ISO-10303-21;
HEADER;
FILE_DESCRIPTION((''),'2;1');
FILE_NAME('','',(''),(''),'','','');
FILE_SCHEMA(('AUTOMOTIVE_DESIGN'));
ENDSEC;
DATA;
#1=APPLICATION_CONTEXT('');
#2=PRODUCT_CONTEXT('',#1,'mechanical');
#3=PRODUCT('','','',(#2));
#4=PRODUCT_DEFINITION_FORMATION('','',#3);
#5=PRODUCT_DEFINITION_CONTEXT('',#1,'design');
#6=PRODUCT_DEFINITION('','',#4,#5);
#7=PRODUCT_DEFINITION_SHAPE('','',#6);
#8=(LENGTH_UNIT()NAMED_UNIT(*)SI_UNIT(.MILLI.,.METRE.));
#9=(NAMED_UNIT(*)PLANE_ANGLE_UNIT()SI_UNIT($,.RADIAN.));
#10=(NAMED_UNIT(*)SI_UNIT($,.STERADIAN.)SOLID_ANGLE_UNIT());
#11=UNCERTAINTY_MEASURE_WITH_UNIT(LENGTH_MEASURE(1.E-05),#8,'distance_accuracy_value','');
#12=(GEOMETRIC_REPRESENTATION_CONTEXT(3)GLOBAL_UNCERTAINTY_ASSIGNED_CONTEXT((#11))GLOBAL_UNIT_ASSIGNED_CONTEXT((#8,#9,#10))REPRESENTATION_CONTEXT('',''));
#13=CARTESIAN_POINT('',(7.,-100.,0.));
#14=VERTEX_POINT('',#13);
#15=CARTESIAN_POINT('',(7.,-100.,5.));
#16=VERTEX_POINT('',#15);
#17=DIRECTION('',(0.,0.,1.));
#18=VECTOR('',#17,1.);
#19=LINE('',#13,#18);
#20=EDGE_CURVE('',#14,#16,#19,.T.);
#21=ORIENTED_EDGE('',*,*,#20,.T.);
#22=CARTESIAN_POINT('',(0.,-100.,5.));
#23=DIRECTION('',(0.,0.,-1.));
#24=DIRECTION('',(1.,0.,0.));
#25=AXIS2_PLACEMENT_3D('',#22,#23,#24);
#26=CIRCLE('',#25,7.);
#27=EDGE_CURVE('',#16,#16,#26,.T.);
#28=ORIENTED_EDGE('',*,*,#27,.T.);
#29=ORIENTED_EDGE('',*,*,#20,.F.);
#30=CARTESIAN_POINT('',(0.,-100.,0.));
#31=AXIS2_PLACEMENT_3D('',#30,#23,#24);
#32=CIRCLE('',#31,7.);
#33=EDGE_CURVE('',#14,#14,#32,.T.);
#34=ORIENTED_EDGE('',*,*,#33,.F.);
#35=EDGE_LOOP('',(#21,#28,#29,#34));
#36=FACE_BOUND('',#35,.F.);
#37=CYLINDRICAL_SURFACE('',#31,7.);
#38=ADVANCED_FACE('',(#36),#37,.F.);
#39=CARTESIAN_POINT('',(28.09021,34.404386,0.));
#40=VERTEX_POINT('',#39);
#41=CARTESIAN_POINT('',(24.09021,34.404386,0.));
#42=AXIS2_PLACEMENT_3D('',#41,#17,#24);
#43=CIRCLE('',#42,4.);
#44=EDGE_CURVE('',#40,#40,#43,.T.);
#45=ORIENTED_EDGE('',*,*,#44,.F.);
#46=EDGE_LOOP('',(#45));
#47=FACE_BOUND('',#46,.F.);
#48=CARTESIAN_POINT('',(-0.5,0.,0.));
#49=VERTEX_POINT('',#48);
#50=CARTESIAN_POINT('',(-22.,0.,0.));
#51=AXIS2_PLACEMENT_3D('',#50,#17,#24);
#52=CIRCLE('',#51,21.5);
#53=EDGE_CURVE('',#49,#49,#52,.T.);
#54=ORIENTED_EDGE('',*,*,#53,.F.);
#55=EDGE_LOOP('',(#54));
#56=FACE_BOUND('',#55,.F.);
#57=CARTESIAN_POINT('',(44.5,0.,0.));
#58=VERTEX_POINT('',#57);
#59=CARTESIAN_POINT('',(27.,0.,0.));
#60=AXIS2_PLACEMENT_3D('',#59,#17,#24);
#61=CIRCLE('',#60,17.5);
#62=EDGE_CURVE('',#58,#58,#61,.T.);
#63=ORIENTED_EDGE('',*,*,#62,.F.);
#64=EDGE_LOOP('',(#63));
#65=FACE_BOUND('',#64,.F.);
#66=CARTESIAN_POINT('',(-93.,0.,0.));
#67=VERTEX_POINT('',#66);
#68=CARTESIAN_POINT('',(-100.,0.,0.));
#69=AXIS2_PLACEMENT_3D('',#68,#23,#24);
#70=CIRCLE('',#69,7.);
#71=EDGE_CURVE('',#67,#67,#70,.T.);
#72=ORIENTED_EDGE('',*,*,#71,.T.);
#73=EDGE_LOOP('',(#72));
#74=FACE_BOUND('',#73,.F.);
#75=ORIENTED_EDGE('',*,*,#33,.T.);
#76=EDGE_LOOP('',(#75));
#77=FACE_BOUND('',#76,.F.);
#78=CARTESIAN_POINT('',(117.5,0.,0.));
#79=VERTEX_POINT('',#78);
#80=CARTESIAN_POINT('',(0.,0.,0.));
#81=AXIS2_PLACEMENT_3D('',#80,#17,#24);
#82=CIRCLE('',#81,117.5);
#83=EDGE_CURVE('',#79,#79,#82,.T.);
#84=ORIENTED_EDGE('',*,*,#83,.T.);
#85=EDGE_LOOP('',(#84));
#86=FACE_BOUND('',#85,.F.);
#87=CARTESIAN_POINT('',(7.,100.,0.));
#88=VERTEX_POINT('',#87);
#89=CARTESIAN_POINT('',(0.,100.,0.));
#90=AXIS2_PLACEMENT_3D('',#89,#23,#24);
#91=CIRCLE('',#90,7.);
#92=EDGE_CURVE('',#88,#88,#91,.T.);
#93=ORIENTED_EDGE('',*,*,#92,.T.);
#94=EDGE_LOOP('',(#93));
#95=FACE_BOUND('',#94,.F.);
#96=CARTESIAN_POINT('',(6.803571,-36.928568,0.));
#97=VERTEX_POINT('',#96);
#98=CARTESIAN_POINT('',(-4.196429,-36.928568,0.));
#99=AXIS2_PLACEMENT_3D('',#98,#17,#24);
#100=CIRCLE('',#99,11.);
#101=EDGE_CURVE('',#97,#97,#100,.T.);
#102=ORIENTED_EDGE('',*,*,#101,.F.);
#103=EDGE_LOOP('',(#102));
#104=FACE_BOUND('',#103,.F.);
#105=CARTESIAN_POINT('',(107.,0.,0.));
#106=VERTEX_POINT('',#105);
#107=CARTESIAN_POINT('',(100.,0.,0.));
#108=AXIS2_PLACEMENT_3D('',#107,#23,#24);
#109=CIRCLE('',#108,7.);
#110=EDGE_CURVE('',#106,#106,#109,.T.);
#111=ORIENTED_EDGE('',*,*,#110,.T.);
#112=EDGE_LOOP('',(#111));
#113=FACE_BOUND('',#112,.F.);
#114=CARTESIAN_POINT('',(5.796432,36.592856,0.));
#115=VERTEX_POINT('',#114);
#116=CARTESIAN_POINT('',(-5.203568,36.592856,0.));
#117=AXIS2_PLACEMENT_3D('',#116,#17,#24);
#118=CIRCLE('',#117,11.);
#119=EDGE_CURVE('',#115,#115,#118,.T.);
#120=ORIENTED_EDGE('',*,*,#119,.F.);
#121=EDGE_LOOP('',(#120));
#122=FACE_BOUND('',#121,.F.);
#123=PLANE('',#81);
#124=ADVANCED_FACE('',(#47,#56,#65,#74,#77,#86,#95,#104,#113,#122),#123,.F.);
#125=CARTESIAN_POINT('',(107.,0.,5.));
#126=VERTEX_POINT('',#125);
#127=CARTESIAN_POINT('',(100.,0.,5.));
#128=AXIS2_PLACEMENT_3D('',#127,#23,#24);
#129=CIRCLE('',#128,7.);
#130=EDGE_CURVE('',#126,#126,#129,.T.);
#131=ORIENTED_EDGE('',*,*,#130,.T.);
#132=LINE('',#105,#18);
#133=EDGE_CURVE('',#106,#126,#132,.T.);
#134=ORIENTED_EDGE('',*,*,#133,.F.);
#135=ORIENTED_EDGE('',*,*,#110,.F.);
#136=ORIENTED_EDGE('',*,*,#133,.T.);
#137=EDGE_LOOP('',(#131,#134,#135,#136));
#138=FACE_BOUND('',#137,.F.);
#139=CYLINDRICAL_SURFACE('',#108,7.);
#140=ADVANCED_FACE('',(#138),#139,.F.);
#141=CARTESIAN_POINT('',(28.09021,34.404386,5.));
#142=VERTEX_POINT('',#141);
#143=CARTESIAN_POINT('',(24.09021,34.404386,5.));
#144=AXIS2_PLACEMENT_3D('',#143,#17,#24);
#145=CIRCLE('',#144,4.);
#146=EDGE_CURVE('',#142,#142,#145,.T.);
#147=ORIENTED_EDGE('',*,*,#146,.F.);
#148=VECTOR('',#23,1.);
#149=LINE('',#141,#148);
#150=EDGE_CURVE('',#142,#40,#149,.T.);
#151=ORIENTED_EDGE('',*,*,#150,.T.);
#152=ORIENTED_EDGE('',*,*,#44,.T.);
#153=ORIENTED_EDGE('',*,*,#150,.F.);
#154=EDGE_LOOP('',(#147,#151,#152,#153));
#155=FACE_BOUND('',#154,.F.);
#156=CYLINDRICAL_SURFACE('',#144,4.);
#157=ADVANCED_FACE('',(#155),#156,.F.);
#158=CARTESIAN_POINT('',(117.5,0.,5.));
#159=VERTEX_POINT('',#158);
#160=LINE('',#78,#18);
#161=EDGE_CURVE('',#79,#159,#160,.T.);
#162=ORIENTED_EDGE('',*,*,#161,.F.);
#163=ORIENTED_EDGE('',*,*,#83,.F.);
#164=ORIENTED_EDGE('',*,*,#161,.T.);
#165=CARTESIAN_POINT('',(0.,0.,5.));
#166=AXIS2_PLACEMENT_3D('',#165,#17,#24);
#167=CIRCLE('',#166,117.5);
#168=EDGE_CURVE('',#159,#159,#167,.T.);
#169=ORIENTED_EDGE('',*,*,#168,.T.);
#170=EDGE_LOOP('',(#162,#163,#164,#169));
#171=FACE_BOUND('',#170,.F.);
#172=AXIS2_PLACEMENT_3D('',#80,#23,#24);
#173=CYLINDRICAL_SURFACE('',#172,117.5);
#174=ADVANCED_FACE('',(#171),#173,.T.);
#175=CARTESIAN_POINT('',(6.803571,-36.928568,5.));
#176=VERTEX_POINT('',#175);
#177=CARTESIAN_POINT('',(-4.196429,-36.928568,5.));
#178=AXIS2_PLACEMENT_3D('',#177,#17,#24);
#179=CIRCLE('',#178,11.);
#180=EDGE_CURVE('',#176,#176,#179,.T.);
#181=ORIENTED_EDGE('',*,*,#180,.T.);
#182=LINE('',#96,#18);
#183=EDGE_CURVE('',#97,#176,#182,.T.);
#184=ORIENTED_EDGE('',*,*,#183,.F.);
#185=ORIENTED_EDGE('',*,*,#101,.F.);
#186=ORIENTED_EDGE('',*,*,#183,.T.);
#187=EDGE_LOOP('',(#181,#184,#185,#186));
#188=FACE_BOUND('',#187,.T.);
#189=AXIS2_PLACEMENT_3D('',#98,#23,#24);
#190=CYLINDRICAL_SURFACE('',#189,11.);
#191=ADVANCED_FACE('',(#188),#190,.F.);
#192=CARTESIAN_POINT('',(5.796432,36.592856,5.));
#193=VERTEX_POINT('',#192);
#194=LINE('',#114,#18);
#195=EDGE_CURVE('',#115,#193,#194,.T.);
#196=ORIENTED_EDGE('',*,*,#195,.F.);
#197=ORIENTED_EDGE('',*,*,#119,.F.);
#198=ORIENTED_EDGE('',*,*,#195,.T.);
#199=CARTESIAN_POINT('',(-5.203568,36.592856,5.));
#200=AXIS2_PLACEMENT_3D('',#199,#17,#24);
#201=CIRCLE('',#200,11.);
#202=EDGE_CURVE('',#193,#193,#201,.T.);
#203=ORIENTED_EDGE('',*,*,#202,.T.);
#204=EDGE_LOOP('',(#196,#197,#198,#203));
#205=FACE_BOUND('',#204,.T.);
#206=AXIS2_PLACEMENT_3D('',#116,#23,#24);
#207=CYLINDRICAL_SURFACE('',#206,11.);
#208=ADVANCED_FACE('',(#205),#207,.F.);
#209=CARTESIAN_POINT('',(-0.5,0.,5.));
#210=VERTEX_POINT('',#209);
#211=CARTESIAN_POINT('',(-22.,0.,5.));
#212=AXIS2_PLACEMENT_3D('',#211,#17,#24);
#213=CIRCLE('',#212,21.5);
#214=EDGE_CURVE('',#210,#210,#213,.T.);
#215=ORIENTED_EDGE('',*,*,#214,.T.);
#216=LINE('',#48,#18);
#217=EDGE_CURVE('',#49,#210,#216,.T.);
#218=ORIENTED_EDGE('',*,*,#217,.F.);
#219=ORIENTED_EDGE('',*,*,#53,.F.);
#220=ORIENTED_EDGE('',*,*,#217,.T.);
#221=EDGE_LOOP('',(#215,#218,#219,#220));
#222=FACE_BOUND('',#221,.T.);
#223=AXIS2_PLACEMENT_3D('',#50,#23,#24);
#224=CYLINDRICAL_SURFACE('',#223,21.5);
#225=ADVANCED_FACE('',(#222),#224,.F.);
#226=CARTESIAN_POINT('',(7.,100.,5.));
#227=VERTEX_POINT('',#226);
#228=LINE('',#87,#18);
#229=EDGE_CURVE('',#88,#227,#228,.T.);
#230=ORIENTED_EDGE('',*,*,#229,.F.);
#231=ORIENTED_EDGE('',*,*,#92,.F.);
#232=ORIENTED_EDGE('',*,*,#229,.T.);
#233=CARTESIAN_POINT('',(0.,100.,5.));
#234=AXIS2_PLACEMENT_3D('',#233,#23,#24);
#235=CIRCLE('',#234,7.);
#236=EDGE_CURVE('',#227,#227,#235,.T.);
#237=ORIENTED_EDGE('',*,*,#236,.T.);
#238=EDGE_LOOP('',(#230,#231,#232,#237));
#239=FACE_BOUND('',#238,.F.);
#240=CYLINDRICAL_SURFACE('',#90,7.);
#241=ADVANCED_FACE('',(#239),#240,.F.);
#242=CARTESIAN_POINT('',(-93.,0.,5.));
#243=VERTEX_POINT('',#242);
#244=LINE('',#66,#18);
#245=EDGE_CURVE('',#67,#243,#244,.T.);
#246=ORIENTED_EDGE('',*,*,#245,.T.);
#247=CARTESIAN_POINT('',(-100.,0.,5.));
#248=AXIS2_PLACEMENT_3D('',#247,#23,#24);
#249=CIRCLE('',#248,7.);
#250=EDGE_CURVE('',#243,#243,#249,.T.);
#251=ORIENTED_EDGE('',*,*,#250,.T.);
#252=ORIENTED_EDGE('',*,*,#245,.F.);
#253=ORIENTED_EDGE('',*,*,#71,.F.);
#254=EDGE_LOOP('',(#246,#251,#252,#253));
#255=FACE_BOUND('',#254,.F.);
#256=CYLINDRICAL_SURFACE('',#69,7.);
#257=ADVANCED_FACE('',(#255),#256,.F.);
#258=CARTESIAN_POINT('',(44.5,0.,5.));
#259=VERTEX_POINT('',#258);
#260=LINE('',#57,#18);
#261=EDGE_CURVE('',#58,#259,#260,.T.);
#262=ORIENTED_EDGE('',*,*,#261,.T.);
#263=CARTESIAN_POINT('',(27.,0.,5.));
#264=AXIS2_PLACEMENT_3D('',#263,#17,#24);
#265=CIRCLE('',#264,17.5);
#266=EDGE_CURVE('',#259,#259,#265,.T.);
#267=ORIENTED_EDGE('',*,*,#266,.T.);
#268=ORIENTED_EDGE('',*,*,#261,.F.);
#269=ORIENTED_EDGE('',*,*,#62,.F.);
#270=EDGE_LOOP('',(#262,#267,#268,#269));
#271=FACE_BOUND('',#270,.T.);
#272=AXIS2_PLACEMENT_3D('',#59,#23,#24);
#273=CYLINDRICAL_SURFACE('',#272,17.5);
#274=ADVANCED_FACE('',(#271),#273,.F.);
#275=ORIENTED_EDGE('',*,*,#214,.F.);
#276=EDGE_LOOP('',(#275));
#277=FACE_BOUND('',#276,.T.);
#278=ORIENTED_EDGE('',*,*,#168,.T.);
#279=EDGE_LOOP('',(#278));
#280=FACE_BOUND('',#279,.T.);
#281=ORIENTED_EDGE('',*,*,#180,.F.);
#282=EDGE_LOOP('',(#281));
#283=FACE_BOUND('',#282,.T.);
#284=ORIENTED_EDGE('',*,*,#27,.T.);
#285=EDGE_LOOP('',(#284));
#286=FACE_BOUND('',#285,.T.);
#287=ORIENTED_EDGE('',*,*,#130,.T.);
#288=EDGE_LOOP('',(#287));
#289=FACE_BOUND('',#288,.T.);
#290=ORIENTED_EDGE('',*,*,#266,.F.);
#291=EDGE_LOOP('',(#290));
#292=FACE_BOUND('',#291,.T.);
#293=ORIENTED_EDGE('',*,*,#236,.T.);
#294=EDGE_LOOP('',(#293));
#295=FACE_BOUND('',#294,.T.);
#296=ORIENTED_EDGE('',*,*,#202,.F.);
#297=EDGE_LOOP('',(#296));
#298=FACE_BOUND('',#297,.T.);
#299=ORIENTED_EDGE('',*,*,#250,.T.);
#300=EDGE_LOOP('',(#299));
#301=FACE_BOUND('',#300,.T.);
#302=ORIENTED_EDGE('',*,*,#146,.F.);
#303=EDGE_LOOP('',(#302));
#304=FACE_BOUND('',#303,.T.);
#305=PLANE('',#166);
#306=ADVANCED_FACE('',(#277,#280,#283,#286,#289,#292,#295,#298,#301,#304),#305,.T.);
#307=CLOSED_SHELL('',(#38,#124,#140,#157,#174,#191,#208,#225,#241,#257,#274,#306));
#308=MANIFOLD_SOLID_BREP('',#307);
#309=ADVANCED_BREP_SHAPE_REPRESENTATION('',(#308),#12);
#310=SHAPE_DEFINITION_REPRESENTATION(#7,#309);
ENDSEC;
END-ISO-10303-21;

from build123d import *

# Parameters (mm, degrees)
F0_R     = 117.5
F0_R_2   = 11
F0_R_3   = 21.5
F0_R_4   = 17.5
F1_DEPTH = 5
F2_R     = 7
F3_DEPTH = 5.001
F4_R     = 4
F5_DEPTH = 5.001


with BuildPart() as f1:
    # F0 (on Top) → F1 (new body)
    with BuildSketch(Plane.XY):
        Circle(F0_R)
        with Locations((-4.196429, -36.928568)):
            Circle(F0_R_2, mode=Mode.SUBTRACT)
        with Locations((-22, 0)):
            Circle(F0_R_3, mode=Mode.SUBTRACT)
        with Locations((-5.203568, 36.592856)):
            Circle(F0_R_2, mode=Mode.SUBTRACT)
        with Locations((27, 0)):
            Circle(F0_R_4, mode=Mode.SUBTRACT)
    extrude(amount=F1_DEPTH)

    # F2 (on face) → F3 (cut, through all)
    with BuildSketch(Plane(origin=(0, 0, 0), x_dir=(1, 0, 0), z_dir=(0, 0, -1))):
        with Locations((-100, 0)):
            Circle(F2_R)
        with Locations((0, 100)):
            Circle(F2_R)
        with Locations((100, 0)):
            Circle(F2_R)
        with Locations((0, -100)):
            Circle(F2_R)
    extrude(amount=-F3_DEPTH, mode=Mode.SUBTRACT)

    # F4 (on face) → F5 (cut, through all)
    with BuildSketch(Plane.XY.offset(5)):
        with Locations((24.09021, 34.404386)):
            Circle(F4_R)
    extrude(amount=-F5_DEPTH, mode=Mode.SUBTRACT)


solid = f1.part
